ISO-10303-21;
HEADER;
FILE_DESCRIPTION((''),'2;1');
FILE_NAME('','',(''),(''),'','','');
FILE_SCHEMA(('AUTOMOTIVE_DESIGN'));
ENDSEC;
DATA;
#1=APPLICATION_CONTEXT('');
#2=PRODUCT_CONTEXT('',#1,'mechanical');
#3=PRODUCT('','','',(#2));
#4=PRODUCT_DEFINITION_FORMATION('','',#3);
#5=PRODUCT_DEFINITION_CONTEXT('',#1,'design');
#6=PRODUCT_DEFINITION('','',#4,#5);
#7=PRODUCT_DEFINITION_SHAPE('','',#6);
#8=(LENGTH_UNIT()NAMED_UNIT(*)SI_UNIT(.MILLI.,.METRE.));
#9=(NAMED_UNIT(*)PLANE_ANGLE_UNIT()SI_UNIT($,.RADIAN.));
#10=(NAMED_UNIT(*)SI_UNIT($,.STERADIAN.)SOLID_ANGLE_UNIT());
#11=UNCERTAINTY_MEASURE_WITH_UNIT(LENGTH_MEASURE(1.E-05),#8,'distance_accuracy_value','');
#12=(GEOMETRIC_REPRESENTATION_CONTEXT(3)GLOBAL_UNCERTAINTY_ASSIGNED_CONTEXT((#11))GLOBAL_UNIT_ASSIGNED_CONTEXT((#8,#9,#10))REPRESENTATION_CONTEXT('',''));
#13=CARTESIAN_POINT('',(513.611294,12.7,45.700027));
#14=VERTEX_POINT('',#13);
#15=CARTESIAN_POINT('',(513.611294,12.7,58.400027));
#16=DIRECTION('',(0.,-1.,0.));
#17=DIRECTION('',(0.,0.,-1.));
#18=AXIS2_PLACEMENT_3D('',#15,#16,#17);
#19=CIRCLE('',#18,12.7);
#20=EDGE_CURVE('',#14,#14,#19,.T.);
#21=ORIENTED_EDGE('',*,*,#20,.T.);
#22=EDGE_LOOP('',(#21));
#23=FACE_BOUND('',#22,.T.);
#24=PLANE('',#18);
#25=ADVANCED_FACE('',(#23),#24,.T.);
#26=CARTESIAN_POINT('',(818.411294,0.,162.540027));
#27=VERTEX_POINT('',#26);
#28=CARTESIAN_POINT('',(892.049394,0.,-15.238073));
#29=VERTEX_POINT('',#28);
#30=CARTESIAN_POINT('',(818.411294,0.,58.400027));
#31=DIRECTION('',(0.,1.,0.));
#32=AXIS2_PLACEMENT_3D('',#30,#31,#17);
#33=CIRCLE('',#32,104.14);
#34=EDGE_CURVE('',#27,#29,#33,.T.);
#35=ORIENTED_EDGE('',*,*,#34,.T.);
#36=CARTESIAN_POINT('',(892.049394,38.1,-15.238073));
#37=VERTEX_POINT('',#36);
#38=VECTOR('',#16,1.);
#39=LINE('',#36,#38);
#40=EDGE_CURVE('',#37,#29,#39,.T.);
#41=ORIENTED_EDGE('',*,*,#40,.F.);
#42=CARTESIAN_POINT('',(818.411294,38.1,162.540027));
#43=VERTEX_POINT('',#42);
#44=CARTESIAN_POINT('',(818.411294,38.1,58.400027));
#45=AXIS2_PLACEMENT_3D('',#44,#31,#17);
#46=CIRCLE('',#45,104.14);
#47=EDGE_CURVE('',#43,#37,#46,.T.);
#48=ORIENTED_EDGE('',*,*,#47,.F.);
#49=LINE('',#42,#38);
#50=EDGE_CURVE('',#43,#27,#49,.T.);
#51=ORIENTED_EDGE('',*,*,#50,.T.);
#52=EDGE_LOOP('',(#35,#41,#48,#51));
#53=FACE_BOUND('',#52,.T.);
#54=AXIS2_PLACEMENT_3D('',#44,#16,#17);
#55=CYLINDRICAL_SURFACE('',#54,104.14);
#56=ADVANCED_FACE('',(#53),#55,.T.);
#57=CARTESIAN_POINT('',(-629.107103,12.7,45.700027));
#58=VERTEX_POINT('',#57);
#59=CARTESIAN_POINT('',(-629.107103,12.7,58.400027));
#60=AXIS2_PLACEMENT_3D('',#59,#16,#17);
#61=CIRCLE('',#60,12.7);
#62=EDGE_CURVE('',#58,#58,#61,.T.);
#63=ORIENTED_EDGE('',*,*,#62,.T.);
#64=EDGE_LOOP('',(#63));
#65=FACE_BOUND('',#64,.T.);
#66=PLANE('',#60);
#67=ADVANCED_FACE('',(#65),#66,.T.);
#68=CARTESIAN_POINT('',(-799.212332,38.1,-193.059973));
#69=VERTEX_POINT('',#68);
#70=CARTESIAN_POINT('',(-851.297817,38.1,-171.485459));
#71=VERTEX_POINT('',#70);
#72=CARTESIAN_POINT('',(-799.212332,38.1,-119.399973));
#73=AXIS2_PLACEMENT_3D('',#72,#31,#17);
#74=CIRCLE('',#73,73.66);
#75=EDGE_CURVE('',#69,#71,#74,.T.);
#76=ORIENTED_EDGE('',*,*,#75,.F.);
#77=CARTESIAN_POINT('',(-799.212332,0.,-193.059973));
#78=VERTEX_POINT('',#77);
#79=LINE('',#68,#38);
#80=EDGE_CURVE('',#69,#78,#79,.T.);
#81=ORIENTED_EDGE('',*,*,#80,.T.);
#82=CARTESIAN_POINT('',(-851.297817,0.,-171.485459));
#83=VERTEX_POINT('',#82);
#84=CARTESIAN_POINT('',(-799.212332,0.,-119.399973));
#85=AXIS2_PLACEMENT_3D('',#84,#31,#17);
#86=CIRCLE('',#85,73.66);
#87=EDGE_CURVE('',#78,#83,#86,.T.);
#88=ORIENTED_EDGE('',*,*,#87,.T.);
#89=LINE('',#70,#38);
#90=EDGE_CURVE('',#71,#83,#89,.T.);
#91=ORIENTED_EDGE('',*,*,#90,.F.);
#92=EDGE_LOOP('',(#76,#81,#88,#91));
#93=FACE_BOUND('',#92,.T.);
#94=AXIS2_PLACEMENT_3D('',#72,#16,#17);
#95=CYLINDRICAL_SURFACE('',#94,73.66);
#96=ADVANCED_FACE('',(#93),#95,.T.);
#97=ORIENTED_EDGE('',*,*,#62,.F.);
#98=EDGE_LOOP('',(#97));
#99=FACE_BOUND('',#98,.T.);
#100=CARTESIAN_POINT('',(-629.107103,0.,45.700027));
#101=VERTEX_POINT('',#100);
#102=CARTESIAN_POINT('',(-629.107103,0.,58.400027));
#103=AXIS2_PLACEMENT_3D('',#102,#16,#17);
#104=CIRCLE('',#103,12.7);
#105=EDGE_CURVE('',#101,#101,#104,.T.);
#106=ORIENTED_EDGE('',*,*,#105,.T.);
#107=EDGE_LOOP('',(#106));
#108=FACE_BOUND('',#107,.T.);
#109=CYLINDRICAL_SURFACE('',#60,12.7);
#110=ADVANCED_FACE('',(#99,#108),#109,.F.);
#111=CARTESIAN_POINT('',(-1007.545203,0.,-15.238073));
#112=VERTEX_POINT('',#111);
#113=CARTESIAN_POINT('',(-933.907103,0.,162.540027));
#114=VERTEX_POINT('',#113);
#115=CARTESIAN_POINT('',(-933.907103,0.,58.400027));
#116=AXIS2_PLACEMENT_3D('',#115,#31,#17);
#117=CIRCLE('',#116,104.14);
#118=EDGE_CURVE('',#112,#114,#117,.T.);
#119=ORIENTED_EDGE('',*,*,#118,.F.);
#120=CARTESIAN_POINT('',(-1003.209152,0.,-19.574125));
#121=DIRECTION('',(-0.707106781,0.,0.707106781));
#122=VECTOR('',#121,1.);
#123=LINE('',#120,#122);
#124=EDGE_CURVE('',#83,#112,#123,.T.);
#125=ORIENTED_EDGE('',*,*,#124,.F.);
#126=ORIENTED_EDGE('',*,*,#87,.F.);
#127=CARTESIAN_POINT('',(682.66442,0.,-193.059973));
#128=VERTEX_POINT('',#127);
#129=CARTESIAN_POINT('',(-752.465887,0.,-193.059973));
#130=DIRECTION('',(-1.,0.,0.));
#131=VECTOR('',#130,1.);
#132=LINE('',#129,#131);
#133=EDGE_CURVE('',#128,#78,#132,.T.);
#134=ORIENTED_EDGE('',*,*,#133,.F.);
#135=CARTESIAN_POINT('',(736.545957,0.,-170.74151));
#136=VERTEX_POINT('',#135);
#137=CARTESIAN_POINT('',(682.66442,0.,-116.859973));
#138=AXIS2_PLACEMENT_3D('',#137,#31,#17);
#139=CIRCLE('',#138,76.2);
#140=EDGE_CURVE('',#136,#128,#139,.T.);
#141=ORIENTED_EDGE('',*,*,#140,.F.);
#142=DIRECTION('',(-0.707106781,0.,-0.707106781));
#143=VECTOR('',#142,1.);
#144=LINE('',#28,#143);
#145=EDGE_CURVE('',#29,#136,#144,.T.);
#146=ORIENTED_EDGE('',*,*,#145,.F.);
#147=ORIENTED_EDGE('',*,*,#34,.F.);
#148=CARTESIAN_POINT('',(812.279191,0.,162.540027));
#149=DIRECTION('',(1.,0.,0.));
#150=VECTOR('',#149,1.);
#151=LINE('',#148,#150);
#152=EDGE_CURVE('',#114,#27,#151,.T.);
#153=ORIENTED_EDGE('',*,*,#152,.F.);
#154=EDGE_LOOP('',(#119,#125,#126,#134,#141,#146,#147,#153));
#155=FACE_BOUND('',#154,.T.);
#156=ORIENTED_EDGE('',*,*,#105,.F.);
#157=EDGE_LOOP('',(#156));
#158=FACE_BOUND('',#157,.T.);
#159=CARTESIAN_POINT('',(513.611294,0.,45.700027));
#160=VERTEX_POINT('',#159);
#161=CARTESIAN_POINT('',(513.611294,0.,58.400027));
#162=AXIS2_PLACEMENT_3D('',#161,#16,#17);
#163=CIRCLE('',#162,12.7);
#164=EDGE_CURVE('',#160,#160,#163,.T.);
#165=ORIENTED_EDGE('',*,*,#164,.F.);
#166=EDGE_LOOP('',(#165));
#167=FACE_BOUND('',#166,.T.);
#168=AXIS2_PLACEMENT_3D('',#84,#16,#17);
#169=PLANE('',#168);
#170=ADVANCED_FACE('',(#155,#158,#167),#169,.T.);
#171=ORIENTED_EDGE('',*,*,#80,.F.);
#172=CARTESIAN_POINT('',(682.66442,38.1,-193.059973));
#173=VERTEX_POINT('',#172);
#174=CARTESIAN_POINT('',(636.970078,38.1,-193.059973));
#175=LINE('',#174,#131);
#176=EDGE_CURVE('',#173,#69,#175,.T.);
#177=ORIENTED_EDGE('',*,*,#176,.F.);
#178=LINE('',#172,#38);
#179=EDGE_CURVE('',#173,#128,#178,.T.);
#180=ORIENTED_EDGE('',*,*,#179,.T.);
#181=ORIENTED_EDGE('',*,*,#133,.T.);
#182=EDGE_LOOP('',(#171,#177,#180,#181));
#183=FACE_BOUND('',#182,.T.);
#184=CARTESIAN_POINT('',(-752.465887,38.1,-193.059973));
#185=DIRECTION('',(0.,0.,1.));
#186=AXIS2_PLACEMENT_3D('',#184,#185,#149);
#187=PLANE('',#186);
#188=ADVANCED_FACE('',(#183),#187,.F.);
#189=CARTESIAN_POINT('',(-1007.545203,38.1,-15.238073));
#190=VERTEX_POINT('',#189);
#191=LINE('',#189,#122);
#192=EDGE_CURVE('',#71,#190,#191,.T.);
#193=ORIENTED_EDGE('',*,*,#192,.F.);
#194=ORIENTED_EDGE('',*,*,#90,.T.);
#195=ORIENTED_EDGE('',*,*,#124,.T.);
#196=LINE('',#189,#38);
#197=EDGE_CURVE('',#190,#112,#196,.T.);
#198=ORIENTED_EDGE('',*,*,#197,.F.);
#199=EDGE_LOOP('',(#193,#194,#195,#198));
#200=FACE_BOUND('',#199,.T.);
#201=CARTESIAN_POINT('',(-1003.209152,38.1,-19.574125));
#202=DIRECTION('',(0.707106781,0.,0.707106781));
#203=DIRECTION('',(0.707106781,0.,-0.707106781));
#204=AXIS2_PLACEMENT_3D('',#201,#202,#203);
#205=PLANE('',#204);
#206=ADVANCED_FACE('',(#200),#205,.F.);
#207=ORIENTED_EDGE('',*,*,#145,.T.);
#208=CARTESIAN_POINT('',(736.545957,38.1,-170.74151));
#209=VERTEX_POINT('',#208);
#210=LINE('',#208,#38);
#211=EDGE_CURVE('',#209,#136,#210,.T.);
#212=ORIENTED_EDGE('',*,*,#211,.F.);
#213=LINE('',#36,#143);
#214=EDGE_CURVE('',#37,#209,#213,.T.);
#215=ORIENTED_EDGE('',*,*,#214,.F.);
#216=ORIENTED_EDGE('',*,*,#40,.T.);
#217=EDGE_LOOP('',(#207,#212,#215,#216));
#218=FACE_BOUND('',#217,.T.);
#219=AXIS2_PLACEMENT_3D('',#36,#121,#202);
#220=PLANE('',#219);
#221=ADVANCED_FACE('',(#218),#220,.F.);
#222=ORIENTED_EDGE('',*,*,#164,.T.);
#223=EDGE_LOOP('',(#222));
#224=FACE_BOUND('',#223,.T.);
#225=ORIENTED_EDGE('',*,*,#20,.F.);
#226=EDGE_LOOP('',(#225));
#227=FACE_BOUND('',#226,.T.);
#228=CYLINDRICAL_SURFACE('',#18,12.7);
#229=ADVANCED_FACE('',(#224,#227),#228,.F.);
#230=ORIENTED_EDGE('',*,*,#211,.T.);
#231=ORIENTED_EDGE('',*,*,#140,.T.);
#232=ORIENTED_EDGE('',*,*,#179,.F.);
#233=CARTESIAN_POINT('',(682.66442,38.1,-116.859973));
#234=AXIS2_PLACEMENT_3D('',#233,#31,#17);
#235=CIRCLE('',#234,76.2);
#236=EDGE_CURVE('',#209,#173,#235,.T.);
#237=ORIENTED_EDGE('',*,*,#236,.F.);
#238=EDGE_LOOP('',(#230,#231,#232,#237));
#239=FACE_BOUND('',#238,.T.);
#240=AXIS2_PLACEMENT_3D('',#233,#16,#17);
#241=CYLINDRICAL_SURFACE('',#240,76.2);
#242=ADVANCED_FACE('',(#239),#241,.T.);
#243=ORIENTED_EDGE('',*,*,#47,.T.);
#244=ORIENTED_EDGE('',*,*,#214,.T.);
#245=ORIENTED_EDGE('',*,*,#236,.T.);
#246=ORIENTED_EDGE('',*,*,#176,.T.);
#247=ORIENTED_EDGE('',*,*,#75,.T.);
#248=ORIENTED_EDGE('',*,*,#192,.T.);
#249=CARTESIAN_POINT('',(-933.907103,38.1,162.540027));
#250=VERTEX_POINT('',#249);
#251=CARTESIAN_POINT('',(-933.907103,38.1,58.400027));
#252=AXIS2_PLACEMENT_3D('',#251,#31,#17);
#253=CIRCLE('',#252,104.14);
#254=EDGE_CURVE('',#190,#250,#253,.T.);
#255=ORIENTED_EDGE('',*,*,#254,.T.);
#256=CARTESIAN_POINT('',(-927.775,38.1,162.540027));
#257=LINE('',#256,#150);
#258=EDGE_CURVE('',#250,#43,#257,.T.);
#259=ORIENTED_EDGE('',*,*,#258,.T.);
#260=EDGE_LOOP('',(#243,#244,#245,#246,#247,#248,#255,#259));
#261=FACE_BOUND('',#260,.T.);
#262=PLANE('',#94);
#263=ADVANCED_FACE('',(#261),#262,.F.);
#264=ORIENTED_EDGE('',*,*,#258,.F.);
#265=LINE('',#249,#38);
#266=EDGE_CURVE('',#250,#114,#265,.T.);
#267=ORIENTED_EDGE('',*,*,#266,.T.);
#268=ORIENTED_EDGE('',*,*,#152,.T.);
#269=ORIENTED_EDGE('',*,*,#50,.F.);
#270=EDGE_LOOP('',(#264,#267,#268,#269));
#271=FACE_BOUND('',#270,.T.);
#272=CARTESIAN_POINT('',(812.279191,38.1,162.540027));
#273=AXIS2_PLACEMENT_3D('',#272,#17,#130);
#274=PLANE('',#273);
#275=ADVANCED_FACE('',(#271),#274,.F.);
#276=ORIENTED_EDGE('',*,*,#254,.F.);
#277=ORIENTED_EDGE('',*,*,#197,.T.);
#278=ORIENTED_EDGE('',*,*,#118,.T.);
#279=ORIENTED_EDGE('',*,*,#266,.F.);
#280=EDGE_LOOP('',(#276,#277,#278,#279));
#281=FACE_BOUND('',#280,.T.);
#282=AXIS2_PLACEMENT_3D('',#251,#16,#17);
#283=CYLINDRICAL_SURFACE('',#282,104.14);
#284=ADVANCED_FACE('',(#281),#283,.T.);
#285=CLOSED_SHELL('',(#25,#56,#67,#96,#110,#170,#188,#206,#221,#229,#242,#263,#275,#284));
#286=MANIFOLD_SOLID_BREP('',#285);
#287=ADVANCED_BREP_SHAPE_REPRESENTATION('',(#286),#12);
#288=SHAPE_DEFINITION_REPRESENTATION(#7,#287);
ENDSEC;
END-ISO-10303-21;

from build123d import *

# Parameters (mm, degrees)
BOSS_EXTRUDE1_DEPTH = 38.1
SKETCH2_R           = 12.7
CUT_EXTRUDE1_DEPTH  = 12.7


with BuildPart() as part:
    # Sketch1 → Boss-Extrude1 (new body)
    with BuildSketch(Plane(origin=(0, 0, 0), x_dir=(1, 0, 0), z_dir=(0, 1, 0))):
        with BuildLine():
            Line((-1003.209151546, 19.574124673), (-852.041766236, 170.741509982))
            Line((-852.041766236, 170.741509982), (-851.297817461, 171.485458758))
            ThreePointArc((-851.297817461, 171.485458758), (-827.400793586, 187.45293962), (-799.212331958, 193.059973256))
            Line((-799.212331958, 193.059973256), (-752.46588673, 193.059973256))
            Line((-752.46588673, 193.059973256), (636.970077719, 193.059973256))
            Line((636.970077719, 193.059973256), (682.664420499, 193.059973256))
            ThreePointArc((682.664420499, 193.059973256), (711.824898045, 187.259593633), (736.545957225, 170.741509982))
            Line((736.545957225, 170.741509982), (892.049393759, 15.238073448))
            ThreePointArc((892.049393759, 15.238073448), (914.624108082, -98.252679391), (818.411293566, -162.540026744))
            Line((818.411293566, -162.540026744), (812.279191118, -162.540026744))
            Line((812.279191118, -162.540026744), (-927.775000129, -162.540026744))
            Line((-927.775000129, -162.540026744), (-933.907102577, -162.540026744))
            ThreePointArc((-933.907102577, -162.540026744), (-1030.119917093, -98.252679391), (-1007.54520277, 15.238073448))
            Line((-1007.54520277, 15.238073448), (-1003.209151546, 19.574124673))
        make_face()
    extrude(amount=BOSS_EXTRUDE1_DEPTH)

    # Sketch2 → Cut-Extrude1 (cut)
    with BuildSketch(Plane.XZ):
        with Locations((-629.107102577, 58.400026744)):
            Circle(SKETCH2_R)
        with Locations((513.611293566, 58.400026744)):
            Circle(SKETCH2_R)
    extrude(amount=-CUT_EXTRUDE1_DEPTH, mode=Mode.SUBTRACT)


solid = part.part
